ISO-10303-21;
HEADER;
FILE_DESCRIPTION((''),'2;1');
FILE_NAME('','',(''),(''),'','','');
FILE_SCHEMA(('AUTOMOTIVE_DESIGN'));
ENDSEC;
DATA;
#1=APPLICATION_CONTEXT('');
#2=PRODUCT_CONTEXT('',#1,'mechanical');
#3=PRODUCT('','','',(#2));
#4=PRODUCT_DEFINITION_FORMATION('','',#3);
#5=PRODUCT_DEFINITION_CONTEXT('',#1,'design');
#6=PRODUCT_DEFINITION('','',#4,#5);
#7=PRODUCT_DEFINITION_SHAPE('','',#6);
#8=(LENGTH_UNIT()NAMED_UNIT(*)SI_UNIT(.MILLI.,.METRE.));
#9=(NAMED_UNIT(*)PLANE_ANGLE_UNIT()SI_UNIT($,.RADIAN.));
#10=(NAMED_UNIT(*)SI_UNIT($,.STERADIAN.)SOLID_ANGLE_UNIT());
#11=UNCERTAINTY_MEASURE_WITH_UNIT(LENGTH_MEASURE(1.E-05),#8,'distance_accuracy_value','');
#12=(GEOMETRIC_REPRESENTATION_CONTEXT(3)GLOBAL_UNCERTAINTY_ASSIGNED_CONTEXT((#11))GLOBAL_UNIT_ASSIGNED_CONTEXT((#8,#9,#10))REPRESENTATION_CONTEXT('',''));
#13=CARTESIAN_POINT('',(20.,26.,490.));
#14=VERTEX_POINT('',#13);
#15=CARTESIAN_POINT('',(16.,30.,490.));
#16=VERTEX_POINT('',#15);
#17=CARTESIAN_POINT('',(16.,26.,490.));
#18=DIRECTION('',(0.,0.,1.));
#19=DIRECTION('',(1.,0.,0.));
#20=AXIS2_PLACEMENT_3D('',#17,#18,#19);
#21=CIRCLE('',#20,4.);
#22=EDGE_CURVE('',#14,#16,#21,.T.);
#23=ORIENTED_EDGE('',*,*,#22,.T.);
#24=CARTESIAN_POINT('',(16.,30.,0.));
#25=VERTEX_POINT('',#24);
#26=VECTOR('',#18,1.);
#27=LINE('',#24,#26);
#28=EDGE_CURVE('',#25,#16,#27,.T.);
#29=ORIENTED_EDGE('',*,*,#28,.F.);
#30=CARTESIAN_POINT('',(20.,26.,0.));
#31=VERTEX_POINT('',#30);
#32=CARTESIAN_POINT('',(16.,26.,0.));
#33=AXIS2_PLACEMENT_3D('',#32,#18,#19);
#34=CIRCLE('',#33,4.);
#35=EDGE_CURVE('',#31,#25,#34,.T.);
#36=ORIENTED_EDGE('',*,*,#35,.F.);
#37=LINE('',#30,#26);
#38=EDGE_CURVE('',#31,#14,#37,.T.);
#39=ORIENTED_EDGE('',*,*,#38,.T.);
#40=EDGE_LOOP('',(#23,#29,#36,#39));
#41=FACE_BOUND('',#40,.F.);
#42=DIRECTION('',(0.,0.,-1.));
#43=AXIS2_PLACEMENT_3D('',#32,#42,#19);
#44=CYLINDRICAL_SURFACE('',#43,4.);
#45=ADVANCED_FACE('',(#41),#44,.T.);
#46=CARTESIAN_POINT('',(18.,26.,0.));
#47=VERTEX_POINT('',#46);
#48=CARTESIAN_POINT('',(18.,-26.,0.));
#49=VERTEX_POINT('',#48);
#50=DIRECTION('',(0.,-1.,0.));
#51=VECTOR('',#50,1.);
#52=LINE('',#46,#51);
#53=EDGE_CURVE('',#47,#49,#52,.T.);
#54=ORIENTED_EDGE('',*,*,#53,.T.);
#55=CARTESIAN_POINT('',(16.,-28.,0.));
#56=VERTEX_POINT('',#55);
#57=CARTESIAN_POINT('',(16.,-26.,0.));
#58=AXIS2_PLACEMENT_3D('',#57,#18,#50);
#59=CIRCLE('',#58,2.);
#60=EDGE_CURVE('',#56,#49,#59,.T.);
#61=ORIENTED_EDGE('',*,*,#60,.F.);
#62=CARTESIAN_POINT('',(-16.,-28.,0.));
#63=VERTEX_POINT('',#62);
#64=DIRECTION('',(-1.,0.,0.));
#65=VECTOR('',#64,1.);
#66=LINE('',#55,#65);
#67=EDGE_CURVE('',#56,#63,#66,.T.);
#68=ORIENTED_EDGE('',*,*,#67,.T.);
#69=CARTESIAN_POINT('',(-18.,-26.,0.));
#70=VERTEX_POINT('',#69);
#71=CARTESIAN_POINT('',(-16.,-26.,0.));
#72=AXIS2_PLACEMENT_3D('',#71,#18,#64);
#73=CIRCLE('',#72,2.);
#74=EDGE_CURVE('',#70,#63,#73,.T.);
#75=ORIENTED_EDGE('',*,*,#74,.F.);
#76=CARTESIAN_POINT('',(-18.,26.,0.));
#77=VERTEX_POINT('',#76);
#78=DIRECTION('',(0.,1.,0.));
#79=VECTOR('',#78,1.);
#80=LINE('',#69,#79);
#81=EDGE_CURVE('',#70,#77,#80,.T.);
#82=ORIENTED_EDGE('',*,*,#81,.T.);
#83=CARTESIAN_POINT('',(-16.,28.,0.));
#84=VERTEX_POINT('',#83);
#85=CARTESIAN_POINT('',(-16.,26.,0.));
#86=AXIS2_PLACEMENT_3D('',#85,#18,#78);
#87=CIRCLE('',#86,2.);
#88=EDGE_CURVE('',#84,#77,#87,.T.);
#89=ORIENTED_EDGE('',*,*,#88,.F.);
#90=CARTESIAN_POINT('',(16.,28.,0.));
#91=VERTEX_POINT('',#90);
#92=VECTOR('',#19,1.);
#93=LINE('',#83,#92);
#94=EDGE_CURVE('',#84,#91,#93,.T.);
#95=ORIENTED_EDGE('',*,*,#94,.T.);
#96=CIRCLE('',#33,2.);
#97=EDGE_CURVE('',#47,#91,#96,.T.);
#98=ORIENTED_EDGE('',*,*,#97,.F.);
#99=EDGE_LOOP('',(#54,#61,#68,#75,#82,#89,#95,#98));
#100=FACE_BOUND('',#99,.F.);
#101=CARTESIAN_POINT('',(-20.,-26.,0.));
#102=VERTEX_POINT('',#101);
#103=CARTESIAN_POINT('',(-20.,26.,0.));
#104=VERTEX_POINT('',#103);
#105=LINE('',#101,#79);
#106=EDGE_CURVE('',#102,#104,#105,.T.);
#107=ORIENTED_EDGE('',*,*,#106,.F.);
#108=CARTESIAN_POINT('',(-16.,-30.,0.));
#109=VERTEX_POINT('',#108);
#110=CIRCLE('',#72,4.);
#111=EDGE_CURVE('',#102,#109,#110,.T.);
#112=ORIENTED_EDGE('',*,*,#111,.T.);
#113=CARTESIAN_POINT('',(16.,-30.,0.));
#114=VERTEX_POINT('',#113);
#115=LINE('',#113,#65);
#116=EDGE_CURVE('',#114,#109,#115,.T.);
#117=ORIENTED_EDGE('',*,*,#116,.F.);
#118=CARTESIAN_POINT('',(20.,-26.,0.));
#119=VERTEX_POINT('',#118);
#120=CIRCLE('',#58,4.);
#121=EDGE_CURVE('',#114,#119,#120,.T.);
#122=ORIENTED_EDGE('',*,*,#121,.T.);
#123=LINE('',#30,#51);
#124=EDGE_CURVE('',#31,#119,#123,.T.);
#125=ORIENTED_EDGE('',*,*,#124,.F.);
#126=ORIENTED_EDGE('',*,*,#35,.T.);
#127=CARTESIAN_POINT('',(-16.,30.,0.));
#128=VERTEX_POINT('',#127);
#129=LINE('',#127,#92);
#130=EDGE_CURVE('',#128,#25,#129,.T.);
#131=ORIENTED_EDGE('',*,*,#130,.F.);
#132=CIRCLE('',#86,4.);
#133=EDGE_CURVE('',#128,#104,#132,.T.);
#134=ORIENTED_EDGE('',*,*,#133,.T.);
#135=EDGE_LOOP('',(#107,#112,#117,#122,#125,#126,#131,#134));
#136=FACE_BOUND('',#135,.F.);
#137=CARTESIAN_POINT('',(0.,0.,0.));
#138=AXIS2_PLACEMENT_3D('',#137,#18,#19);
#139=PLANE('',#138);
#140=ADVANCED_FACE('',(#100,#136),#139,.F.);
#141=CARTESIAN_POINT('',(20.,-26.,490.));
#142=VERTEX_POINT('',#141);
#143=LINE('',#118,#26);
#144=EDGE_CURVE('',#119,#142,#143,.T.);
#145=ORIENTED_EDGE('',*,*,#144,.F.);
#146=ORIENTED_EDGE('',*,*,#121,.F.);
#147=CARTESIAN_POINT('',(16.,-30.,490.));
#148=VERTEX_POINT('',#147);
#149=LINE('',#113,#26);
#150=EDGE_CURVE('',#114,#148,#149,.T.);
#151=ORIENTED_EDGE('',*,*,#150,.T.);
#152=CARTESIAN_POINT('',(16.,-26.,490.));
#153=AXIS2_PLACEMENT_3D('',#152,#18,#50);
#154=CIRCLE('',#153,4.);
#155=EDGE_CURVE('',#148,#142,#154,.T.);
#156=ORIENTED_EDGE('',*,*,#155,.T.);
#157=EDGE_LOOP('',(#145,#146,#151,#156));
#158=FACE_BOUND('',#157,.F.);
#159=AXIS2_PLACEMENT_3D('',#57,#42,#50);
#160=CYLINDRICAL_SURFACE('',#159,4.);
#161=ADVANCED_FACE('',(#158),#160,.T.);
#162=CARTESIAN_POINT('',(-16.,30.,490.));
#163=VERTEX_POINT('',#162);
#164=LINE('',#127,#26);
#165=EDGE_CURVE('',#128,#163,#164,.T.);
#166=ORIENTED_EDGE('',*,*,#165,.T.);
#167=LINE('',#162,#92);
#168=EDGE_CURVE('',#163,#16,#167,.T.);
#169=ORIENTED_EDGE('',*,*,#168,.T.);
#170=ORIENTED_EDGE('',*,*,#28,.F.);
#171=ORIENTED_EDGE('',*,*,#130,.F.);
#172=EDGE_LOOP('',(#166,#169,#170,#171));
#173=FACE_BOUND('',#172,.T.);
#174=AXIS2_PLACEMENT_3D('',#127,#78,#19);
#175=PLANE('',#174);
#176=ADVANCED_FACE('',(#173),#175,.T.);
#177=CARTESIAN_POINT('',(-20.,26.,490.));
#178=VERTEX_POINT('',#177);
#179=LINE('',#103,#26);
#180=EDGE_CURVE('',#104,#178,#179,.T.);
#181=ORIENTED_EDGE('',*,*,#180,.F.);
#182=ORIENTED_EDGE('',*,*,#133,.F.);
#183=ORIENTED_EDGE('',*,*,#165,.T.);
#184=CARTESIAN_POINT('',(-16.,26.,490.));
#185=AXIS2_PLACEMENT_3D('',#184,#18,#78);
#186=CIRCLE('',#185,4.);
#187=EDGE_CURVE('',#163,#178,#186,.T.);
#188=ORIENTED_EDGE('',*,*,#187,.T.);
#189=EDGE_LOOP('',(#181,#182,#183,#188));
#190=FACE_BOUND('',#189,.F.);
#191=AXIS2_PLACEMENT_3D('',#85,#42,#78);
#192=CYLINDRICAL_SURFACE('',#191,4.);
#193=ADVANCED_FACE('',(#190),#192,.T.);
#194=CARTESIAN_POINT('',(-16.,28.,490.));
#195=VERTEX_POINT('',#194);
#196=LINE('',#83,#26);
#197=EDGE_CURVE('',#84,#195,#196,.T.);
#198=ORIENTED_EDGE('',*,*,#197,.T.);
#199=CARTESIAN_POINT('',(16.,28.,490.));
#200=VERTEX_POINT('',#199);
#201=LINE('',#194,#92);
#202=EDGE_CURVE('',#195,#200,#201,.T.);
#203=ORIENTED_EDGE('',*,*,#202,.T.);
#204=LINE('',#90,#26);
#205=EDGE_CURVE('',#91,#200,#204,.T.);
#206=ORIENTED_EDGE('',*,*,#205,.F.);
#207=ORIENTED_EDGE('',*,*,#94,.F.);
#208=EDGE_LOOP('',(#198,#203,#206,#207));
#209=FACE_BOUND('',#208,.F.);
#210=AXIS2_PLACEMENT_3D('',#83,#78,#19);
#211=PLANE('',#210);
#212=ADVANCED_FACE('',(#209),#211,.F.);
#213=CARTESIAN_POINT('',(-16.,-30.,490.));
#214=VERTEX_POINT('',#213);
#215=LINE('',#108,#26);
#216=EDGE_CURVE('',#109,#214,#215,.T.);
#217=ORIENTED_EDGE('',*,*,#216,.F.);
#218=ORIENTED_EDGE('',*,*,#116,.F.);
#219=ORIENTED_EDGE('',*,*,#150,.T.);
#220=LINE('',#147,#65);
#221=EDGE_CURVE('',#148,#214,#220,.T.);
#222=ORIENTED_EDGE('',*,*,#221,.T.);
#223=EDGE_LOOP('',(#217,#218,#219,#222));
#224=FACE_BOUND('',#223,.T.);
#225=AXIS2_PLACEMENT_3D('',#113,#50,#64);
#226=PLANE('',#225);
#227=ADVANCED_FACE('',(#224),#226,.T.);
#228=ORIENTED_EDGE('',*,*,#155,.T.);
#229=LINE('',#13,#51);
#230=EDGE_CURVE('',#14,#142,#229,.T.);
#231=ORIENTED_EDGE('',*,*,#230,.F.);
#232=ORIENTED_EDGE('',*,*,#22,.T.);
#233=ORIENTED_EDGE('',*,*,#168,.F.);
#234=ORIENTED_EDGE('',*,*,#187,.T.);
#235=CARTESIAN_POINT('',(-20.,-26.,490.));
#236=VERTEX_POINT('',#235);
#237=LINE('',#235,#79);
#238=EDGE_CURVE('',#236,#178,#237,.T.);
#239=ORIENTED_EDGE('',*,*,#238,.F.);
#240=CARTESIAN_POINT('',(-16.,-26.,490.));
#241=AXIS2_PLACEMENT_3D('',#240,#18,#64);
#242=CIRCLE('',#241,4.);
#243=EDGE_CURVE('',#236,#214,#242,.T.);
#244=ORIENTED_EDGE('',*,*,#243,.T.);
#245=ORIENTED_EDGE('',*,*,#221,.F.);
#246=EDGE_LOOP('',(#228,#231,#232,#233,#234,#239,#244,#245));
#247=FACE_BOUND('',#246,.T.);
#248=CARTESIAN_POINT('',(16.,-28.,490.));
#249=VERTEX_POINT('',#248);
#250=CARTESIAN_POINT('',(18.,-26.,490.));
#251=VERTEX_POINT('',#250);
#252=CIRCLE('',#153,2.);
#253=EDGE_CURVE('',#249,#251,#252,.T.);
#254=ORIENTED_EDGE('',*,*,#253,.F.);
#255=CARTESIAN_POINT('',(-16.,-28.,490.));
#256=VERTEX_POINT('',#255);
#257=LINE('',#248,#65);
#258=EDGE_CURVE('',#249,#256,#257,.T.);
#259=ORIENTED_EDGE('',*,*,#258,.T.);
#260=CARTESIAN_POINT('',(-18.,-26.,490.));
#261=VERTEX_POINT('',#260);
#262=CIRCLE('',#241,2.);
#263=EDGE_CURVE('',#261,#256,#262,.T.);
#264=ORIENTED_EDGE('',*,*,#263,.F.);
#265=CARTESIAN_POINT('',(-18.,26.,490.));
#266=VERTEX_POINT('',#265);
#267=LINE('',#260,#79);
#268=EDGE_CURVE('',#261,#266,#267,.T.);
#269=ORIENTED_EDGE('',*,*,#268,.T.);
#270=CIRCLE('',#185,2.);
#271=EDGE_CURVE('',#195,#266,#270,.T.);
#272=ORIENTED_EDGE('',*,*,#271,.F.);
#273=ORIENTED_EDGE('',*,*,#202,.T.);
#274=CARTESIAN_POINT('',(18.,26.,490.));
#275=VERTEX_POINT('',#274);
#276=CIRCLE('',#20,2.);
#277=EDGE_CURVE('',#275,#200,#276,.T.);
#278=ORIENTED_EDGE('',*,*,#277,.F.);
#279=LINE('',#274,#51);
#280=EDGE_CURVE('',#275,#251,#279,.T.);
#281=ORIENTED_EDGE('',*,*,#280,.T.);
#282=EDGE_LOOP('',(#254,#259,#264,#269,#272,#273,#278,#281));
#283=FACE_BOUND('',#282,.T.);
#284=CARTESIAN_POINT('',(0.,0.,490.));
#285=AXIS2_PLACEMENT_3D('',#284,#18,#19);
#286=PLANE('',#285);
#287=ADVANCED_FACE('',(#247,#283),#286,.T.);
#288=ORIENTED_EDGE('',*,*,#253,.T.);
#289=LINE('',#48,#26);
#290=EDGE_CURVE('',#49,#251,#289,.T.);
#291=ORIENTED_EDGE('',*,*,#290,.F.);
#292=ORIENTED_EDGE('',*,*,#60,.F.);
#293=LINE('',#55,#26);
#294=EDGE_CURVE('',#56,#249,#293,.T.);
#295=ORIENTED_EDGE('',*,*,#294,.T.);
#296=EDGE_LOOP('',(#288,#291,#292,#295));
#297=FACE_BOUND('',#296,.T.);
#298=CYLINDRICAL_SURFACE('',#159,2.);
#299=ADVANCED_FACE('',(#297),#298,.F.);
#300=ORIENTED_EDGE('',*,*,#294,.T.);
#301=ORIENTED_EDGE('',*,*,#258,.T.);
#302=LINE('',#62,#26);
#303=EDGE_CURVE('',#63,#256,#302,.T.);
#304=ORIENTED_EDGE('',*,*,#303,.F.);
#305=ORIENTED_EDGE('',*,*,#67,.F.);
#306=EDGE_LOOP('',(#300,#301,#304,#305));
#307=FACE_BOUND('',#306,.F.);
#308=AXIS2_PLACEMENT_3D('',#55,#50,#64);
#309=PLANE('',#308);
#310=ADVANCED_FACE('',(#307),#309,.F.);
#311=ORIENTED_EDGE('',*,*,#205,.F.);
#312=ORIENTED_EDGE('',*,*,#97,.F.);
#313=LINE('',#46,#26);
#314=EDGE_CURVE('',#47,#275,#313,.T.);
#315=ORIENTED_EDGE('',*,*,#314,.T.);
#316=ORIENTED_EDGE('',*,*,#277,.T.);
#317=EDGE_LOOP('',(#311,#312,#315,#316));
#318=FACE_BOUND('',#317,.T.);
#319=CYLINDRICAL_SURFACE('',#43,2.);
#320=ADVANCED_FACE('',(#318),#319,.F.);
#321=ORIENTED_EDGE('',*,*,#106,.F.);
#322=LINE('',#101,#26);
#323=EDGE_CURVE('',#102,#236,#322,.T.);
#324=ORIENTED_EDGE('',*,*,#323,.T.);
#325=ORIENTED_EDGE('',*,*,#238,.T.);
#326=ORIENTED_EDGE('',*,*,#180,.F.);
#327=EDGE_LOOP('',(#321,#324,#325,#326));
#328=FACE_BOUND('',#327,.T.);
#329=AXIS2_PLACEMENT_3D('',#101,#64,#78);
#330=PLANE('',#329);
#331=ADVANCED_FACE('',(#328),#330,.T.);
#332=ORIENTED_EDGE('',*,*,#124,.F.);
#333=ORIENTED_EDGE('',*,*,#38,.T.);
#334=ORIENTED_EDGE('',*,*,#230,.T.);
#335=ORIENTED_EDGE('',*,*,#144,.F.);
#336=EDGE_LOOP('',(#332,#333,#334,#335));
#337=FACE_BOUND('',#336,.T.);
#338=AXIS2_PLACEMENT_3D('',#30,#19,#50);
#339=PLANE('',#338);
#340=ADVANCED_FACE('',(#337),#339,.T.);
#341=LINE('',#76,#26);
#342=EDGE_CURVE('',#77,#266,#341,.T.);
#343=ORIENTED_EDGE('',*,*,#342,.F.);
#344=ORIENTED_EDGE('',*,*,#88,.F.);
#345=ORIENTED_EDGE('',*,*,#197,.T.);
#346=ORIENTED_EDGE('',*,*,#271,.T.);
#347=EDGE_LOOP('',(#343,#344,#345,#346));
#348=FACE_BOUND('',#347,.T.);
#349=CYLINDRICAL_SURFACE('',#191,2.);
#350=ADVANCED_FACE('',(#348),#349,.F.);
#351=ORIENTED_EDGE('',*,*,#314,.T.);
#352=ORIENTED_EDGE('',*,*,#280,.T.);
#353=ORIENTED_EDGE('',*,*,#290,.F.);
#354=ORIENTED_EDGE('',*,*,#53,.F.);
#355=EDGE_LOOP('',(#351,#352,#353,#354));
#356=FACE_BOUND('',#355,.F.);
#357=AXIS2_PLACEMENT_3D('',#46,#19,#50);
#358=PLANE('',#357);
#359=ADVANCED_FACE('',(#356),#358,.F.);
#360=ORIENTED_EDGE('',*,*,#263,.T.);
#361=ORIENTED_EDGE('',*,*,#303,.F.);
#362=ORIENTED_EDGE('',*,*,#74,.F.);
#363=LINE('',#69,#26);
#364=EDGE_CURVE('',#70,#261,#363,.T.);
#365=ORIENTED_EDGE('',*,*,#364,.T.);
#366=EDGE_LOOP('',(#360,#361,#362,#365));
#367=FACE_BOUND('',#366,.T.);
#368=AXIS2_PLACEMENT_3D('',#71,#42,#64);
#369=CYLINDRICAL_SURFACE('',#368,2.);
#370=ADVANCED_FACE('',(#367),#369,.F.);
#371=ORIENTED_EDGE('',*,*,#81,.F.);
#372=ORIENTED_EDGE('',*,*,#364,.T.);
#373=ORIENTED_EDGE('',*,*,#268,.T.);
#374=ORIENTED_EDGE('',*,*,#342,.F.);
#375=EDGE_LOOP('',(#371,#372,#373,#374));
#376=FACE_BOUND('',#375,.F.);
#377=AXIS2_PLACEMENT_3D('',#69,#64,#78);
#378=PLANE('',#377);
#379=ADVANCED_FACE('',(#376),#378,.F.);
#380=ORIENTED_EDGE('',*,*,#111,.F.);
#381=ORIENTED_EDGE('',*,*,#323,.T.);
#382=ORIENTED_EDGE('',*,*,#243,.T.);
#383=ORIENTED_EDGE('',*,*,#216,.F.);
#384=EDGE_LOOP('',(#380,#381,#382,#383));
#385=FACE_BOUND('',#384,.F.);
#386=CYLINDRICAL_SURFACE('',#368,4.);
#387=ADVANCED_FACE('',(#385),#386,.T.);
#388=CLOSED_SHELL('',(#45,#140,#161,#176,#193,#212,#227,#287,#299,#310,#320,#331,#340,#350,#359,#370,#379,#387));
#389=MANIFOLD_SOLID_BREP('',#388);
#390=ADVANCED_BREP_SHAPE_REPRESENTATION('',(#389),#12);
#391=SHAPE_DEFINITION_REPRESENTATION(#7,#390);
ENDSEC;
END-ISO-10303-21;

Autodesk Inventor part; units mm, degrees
ref_plane "YZ Plane" through (0, 0, 0) normal (1, 0, 0) x (0, 1, 0)
ref_plane "Start Plane" through (0, 0, 0) normal (0, 0, 1) x (1, 0, 0)
ref_plane "End Plane" through (0, 0, 490) normal (0, 0, 1) x (1, 0, 0)
sketch "Sketch" plane through (0, 0, 0) normal (0, 0, 1) x (1, 0, 0)
  line L0 (-20, -26) -> (-20, 26)
  line L1 (-16, 30) -> (16, 30)
  line L2 (20, 26) -> (20, -26)
  line L3 (16, -30) -> (-16, -30)
  arc A0 (-20, -26) -> (-16, -30) centre (-16, -26) ccw
  arc A1 (20, 26) -> (16, 30) centre (16, 26) ccw
  arc A2 (-16, 30) -> (-20, 26) centre (-16, 26) ccw
  arc A3 (16, -30) -> (20, -26) centre (16, -26) ccw
  arc A4 (-16, 28) -> (-18, 26) centre (-16, 26) ccw
  line L4 (-16, 28) -> (16, 28)
  arc A5 (18, 26) -> (16, 28) centre (16, 26) ccw
  line L5 (18, 26) -> (18, -26)
  arc A6 (16, -28) -> (18, -26) centre (16, -26) ccw
  line L6 (16, -28) -> (-16, -28)
  arc A7 (-18, -26) -> (-16, -28) centre (-16, -26) ccw
  line L7 (-18, -26) -> (-18, 26)
  line L8 (0, 43.1598) -> (0, -43.1598) construction
  line L9 (-29.1598, 0) -> (29.1598, 0) construction
  dimension "d7" = 4
  dimension "d9" = 40
  dimension "d11" = 60
  dimension "d12" = 2
  dimension "d15" = 20
  dimension "d16" = 30
extrude "Body" add sketch "Sketch" along normal up to surface (490 mm away) from surface at 0
sketch "Sketch3" plane through (0, 0, 0) normal (0, 0, 1) x (1, 0, 0)
  line L0 (0, 0) -> (10, 0)
ref_plane "Work Plane3" through (0, 0, 0) normal (0, -1, 0) x (1, 0, 0)
sketch "Sketch4" plane through (0, 0, 0) normal (0, -1, 0) x (1, 0, 0)
  line L0 (-2, 0) -> (12, 0) projected
  line L1 (-2, 490) -> (12, 490) projected
  dimension "d18" = 490
equation "\"d7\" = G_IR"
equation "\"d9\" = G_W"
equation "\"d11\" = G_H"
equation "\"d12\" = G_T"
equation "\"d15\" = 0.5 * d9"
equation "\"d16\" = 0.5 * d11"
equation "\"d3\" = G_L"
equation "\"G_W\" = 40"
equation "\"G_H\" = 60"
equation "\"G_T\" = 2"
equation "\"G_IR\" = 4"
equation "\"G_L\" = d18"
equation "\"G_OFFSET_START\" = 0"
equation "\"G_OFFSET_END\" = 0"
properties part number "ISO 10799-2 - 60x40x2 - 490" material "Steel, Mild"
